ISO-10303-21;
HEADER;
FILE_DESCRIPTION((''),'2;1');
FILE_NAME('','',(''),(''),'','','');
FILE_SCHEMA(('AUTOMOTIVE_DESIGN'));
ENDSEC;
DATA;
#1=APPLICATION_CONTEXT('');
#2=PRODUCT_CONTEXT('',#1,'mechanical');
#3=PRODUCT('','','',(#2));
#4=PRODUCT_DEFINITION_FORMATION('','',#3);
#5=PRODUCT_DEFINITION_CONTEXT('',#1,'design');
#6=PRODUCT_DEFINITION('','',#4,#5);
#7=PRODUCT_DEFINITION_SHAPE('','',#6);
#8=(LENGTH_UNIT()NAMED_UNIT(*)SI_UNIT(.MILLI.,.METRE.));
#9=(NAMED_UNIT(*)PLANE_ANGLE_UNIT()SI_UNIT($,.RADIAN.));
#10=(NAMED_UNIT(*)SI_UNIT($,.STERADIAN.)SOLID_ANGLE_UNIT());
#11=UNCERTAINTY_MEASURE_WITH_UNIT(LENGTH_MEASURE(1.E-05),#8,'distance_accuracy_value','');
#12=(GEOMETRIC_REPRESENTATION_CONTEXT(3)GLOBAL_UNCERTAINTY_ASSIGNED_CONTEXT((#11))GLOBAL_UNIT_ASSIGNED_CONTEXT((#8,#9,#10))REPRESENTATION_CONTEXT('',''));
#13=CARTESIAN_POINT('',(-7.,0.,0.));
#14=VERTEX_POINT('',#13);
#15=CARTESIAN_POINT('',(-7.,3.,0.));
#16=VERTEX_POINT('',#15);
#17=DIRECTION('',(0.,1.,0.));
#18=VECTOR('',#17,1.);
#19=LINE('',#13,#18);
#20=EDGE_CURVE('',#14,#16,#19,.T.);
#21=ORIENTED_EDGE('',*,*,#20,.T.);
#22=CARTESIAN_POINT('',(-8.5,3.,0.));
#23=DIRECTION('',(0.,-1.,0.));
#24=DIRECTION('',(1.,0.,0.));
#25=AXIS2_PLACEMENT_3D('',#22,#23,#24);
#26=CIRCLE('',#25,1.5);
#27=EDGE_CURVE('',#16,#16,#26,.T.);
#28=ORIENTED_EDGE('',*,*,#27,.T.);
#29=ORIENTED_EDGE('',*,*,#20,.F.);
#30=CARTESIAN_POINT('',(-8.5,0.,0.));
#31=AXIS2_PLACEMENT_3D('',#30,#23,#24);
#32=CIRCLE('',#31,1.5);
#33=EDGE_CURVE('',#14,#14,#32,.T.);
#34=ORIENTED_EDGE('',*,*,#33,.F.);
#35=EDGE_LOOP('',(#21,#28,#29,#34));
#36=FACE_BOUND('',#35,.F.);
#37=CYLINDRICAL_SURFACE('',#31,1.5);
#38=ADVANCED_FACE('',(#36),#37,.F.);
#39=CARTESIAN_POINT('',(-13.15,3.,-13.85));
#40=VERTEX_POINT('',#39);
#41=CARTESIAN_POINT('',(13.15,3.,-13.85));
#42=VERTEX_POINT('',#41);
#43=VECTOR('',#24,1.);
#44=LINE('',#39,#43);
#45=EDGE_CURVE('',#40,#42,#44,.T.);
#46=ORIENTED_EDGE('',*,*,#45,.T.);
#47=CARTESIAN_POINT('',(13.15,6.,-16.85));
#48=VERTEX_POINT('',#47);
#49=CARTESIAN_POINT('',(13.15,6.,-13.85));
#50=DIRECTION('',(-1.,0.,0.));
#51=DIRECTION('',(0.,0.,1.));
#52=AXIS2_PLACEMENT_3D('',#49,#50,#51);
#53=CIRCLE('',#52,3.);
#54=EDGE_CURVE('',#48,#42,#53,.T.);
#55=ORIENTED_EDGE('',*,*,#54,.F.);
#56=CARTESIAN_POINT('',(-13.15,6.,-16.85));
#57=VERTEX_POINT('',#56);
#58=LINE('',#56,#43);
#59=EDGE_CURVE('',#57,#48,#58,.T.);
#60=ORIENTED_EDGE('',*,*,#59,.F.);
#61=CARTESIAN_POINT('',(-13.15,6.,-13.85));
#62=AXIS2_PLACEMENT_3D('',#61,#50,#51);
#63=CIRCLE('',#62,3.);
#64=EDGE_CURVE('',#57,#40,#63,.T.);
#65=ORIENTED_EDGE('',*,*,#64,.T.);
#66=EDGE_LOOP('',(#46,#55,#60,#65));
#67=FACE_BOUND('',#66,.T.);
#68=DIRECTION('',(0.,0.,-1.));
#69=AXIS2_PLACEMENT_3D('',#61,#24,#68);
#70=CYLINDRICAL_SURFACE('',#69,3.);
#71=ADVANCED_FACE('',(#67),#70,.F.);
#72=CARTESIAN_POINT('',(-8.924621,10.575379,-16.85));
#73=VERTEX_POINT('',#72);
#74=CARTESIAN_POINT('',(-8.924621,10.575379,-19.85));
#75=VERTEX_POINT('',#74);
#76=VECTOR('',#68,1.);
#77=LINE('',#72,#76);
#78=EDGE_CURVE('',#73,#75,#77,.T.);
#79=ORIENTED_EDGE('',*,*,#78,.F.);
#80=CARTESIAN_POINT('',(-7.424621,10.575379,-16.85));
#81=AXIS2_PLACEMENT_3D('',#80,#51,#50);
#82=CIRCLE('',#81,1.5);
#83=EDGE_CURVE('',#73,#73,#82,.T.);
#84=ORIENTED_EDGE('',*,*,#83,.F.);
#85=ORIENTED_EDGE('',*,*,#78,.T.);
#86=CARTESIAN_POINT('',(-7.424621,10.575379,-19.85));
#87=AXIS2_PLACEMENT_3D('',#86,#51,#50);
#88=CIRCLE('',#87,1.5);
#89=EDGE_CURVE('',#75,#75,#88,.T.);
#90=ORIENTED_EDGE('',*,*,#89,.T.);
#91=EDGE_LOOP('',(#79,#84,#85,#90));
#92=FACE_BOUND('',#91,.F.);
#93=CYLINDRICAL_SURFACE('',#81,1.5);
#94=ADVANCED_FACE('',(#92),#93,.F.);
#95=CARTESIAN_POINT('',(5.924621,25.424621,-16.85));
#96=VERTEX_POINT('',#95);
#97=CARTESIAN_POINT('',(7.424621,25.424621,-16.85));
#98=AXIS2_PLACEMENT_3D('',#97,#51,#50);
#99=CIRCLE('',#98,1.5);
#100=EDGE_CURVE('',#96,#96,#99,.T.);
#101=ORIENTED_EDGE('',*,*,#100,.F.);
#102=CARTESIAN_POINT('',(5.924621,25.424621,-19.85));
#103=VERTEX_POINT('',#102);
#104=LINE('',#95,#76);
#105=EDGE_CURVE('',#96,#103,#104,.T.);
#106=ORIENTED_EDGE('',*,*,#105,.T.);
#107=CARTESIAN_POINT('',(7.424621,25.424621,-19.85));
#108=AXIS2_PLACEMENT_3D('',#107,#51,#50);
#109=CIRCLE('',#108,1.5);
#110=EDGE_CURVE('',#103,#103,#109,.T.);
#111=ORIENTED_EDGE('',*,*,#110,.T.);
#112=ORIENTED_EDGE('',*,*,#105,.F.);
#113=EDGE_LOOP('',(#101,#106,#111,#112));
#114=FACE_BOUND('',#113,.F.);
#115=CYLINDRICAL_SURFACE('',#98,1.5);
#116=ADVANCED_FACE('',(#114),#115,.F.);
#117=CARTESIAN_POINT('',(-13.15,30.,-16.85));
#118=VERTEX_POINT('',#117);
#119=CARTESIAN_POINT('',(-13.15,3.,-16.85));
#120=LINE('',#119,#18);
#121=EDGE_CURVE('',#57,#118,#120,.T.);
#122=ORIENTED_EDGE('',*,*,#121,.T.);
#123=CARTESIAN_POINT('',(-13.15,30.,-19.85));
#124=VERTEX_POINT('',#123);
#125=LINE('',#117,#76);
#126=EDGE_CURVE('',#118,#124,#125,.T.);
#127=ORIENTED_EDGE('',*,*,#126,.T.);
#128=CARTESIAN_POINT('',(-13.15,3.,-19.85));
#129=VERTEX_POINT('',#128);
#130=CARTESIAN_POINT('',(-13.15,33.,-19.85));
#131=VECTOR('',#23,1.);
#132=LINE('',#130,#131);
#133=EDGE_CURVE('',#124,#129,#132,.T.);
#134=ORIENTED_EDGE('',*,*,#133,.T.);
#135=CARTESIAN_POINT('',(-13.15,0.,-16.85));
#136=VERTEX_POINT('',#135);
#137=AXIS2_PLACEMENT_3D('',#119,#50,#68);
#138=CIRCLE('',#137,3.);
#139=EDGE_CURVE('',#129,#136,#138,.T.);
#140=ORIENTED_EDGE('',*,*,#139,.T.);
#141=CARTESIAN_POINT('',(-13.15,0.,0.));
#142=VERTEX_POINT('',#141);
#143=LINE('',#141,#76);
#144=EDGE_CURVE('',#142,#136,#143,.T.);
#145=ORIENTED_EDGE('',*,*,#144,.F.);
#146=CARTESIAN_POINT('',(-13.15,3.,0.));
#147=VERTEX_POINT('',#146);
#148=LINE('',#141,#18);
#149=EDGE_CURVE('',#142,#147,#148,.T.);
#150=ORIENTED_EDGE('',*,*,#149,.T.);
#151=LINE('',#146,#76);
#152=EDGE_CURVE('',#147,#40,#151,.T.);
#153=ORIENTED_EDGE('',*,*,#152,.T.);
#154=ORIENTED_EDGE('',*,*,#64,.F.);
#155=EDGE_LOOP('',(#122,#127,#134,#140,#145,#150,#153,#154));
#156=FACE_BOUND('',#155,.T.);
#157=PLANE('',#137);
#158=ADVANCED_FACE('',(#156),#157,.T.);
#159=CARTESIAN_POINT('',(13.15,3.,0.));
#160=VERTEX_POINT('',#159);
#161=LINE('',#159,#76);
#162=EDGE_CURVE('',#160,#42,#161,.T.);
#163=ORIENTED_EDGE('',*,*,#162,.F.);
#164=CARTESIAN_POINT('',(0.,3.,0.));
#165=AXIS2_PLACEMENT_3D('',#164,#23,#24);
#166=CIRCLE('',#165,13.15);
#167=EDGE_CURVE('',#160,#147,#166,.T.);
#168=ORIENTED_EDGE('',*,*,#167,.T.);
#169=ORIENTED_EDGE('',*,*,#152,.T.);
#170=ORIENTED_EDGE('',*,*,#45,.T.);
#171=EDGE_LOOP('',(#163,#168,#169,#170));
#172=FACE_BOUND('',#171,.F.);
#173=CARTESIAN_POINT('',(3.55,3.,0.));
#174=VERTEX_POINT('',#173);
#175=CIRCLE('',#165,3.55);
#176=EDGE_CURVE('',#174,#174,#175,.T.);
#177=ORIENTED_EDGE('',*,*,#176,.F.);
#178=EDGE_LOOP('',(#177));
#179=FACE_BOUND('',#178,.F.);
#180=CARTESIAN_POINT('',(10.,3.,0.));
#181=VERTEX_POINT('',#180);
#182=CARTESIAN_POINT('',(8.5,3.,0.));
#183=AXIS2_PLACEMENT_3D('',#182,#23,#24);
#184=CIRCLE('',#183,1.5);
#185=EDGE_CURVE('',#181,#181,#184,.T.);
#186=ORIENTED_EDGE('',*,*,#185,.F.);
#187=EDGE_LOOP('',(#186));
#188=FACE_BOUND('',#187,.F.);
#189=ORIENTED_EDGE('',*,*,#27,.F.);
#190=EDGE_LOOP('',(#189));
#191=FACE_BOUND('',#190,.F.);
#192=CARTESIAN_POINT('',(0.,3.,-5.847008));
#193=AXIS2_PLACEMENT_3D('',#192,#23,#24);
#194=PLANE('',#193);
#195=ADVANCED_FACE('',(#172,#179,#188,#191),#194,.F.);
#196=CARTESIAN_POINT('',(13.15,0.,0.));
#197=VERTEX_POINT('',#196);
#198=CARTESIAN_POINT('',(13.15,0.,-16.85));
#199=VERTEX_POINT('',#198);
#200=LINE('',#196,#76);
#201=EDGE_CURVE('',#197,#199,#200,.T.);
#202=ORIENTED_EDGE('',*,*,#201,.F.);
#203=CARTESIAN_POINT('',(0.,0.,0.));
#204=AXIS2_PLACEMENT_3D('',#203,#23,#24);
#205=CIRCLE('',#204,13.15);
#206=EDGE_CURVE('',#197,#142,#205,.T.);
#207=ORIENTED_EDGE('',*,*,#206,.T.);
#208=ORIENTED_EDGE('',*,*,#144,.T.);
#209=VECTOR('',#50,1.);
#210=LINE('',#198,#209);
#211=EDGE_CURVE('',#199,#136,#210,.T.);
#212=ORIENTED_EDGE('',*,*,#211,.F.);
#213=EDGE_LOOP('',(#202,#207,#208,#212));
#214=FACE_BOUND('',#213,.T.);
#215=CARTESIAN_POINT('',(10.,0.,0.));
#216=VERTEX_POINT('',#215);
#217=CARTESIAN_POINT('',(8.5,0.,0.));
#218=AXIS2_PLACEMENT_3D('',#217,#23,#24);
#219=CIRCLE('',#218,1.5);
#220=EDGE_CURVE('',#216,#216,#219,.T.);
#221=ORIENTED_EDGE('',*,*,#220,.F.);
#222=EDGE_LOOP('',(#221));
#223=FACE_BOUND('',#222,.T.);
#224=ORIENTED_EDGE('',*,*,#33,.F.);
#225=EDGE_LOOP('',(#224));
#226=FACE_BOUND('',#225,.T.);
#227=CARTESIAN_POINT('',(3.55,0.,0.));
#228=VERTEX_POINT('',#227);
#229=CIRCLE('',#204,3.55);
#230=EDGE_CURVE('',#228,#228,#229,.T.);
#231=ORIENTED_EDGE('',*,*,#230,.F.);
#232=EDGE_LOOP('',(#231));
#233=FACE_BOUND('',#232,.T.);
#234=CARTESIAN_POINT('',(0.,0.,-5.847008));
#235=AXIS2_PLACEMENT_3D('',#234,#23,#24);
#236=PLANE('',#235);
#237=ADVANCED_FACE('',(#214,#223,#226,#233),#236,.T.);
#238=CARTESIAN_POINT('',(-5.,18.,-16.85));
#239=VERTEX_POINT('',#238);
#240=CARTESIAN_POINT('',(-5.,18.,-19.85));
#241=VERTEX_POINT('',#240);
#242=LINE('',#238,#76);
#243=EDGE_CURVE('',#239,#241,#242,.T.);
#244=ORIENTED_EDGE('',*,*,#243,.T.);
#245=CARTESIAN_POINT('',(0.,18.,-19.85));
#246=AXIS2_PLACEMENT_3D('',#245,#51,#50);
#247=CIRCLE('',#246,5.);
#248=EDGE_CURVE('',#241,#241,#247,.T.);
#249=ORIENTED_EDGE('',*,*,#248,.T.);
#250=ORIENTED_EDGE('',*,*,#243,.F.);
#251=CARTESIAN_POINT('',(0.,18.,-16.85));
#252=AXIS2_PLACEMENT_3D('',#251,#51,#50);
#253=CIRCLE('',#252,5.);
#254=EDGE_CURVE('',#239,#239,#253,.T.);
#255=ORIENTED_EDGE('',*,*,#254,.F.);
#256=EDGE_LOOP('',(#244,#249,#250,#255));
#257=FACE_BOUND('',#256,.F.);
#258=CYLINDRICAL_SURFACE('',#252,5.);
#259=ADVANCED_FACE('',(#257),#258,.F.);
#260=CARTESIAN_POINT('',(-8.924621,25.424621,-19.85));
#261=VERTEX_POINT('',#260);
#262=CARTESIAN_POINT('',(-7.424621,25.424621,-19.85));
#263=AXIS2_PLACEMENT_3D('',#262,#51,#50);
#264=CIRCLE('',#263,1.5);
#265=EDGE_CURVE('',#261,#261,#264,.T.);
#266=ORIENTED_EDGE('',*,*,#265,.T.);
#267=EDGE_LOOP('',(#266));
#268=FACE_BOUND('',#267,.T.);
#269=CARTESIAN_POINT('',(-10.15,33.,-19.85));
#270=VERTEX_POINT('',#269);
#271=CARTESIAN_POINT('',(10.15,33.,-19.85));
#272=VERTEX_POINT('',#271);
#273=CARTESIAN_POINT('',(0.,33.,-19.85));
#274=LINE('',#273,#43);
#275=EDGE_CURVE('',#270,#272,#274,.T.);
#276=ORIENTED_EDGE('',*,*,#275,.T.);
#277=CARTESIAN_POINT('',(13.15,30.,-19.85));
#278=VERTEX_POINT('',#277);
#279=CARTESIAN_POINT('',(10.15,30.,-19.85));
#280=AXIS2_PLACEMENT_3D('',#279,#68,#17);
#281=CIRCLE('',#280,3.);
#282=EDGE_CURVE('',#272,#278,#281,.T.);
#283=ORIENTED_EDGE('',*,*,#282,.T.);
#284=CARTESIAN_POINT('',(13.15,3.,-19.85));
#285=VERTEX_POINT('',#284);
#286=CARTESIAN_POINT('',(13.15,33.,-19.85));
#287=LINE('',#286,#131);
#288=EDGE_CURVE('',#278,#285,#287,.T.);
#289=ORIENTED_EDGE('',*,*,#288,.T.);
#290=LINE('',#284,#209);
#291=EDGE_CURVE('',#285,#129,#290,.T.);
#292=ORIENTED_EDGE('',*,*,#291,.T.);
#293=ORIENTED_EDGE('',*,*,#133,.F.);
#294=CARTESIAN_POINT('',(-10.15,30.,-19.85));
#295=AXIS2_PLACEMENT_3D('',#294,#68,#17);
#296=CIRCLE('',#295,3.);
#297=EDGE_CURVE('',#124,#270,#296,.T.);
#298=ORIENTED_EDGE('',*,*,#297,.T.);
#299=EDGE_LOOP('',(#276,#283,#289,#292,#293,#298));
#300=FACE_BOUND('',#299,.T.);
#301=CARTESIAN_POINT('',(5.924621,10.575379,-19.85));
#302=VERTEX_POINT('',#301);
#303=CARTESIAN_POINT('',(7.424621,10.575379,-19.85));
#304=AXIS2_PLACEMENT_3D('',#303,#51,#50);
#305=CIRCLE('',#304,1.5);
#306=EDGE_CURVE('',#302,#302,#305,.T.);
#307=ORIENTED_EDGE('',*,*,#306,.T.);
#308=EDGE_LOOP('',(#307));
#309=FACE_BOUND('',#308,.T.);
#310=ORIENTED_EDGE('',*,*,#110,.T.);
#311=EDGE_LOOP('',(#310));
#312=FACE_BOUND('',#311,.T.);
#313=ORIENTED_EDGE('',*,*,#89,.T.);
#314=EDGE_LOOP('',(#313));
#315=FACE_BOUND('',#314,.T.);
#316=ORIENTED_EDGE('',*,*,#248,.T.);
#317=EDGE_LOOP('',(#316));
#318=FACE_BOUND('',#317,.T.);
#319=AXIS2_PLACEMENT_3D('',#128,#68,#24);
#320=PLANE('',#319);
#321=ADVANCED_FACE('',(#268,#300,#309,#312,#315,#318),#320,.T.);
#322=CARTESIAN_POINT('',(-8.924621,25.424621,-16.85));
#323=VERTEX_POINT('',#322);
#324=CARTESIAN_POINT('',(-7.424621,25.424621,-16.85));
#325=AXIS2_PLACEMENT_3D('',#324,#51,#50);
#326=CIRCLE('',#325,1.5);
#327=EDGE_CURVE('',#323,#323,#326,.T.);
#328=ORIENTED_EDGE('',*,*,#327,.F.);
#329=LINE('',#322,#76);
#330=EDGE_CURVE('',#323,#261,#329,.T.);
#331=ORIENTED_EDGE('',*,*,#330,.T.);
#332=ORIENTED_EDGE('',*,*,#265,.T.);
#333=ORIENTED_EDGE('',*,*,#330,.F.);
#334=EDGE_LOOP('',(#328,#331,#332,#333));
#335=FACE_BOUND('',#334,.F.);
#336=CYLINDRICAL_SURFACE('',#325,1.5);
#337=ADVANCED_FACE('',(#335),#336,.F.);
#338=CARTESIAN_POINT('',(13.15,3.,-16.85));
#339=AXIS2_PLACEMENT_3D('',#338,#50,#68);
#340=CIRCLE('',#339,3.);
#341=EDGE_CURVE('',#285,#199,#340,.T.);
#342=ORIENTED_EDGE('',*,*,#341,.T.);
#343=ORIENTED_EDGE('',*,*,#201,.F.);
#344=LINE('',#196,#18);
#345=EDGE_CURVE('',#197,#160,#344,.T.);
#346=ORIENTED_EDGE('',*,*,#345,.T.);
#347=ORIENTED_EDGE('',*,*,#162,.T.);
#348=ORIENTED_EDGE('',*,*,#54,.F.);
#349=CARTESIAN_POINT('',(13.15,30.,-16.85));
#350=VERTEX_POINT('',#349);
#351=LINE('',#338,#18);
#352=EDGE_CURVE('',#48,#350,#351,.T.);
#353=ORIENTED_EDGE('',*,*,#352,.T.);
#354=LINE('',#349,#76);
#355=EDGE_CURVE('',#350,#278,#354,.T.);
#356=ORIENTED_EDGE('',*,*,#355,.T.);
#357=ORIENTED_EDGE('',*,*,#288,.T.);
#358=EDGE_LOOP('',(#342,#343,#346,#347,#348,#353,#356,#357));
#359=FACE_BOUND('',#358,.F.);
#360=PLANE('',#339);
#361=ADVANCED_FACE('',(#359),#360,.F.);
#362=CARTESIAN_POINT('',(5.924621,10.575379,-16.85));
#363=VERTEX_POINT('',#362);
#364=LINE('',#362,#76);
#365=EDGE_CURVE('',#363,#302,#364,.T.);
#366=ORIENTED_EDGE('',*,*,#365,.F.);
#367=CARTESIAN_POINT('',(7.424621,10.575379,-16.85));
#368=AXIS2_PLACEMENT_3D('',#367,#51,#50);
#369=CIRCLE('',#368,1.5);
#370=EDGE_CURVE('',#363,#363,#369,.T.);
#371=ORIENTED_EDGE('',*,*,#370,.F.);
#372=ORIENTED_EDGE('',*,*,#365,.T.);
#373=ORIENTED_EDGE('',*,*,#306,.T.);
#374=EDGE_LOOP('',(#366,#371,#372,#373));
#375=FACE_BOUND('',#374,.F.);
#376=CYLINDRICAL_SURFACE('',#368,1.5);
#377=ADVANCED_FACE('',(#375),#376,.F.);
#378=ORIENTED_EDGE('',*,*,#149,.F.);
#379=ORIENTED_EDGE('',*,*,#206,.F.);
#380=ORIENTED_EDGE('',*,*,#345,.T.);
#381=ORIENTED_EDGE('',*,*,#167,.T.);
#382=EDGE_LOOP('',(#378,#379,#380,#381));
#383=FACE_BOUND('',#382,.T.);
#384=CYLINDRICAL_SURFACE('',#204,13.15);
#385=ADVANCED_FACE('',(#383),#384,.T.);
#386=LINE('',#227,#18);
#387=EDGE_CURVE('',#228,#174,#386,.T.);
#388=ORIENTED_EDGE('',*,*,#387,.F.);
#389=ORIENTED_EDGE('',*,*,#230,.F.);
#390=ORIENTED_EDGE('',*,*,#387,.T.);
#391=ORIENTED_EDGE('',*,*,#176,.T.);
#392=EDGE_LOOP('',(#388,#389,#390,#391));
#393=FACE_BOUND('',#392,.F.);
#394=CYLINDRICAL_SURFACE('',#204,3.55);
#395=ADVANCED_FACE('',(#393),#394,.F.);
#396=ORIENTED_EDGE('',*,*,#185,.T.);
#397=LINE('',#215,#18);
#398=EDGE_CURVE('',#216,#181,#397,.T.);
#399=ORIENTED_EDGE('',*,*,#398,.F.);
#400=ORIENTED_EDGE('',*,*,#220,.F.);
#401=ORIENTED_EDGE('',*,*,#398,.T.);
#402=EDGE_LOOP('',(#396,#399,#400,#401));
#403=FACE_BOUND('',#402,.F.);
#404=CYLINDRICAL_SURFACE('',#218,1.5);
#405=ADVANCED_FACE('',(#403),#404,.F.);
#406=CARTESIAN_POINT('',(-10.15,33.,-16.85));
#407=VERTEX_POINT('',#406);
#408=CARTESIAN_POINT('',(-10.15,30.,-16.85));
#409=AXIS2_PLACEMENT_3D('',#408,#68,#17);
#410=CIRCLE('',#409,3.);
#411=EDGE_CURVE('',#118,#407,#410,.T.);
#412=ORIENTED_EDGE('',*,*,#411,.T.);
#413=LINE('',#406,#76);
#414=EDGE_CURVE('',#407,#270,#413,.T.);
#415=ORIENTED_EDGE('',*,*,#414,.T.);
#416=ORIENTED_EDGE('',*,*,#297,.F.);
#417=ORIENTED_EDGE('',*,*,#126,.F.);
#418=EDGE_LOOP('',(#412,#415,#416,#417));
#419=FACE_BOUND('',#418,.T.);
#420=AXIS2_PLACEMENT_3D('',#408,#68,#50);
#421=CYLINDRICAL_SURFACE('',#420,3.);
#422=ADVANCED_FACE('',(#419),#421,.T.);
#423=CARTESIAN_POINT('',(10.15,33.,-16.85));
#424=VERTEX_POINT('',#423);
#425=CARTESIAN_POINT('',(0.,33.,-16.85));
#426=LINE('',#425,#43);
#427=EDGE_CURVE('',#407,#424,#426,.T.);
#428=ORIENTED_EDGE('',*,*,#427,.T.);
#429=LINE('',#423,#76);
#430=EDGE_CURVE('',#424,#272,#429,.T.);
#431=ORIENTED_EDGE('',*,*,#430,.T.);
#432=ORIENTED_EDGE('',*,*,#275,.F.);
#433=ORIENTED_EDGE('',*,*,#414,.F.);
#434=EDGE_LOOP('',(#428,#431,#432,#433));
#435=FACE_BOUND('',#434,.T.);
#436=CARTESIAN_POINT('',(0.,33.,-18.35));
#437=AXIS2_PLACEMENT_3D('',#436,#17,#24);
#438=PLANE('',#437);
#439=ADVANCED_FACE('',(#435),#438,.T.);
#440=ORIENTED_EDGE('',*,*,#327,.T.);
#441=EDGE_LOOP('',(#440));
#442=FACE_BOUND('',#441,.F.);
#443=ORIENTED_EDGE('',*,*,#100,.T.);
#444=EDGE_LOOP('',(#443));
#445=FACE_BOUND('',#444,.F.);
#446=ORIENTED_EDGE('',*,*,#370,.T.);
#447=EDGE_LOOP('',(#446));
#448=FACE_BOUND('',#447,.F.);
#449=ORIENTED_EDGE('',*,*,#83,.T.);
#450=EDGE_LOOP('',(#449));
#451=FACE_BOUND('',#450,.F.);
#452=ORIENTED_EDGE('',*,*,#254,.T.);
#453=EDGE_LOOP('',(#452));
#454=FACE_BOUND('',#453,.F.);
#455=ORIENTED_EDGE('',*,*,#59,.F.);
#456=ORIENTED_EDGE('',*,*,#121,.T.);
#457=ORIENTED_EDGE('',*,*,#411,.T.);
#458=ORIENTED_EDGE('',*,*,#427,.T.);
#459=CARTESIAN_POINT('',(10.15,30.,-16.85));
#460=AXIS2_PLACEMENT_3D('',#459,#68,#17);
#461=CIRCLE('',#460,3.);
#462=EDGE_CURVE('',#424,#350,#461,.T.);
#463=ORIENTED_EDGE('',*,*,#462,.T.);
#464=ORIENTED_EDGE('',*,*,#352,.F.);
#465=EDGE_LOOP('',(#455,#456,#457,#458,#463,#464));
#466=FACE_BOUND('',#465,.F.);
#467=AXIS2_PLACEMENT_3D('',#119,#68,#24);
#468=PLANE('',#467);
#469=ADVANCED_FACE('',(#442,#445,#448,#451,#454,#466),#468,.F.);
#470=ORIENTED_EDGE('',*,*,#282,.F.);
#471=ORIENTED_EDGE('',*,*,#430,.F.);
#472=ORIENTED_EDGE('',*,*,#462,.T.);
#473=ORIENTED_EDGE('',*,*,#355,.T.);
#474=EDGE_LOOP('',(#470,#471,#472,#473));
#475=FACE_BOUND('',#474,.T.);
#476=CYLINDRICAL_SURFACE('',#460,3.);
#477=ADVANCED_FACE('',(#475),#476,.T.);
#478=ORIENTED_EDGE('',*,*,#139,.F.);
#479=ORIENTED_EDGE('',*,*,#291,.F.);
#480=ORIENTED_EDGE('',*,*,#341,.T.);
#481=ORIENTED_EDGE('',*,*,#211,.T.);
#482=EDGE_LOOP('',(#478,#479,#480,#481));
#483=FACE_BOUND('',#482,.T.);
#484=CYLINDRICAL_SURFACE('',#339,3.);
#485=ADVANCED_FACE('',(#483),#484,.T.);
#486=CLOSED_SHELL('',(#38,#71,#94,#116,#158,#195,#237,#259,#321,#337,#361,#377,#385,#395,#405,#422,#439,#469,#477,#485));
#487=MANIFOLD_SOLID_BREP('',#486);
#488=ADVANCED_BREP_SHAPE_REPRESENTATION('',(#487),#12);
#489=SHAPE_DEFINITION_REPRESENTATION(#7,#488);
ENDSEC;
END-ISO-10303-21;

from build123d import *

# Parameters (mm, degrees)
SKETCH_R      = 3.55
SKETCH_R_2    = 1.5
PAD_DEPTH     = 3
SKETCH001_W   = 26.3
SKETCH001_H   = 3
PAD001_DEPTH  = 30
SKETCH002_R   = 5
SKETCH002_R_2 = 1.5
POCKET_DEPTH  = 3
FILLET_R      = 3
FILLET001_R   = 3


with BuildPart() as part:
    # Sketch → Pad (new body)
    with BuildSketch(Plane.XZ):
        with BuildLine():
            ThreePointArc((13.15, 0), (0, 13.15), (-13.15, 0))
            Line((-13.15, 0), (-13.15, -19.85))
            Line((13.15, -19.85), (-13.15, -19.85))
            Line((13.15, 0), (13.15, -19.85))
        make_face()
        Circle(SKETCH_R, mode=Mode.SUBTRACT)
        with Locations((8.5, 0)):
            Circle(SKETCH_R_2, mode=Mode.SUBTRACT)
        with Locations((-8.5, 0)):
            Circle(SKETCH_R_2, mode=Mode.SUBTRACT)
    extrude(amount=-PAD_DEPTH)

    # Sketch001 (on Face9 of Pad) → Pad001 (join)
    with BuildSketch(Plane(origin=(0, 3, 0), x_dir=(1, 0, 0), z_dir=(0, 1, 0))):
        with Locations((0, 18.35)):
            Rectangle(SKETCH001_W, SKETCH001_H)
    extrude(amount=PAD001_DEPTH)

    # Sketch002 (on Face7 of Pad001) → Pocket (cut)
    with BuildSketch(Plane(origin=(0, 0, -16.85), x_dir=(-1, 0, 0), z_dir=(0, 0, 1))):
        with Locations((0, -18)):
            Circle(SKETCH002_R)
        with Locations((-7.424621, -25.424621)):
            Circle(SKETCH002_R_2)
        with Locations((7.424621, -25.424621)):
            Circle(SKETCH002_R_2)
        with Locations((7.424621, -10.575379)):
            Circle(SKETCH002_R_2)
        with Locations((-7.424621, -10.575379)):
            Circle(SKETCH002_R_2)
    extrude(amount=-POCKET_DEPTH, mode=Mode.SUBTRACT)

    # Fillet
    fillet_edges = [part.edges().sort_by_distance(p)[0] for p in [
        (13.15, 33, -18.35),
        (-13.15, 33, -18.35),
    ]]
    fillet(fillet_edges, radius=FILLET_R)

    # Fillet001
    fillet001_edges = [part.edges().sort_by_distance(p)[0] for p in [
        (0, 3, -16.85),
        (0, 0, -19.85),
    ]]
    fillet(fillet001_edges, radius=FILLET001_R)


solid = part.part
